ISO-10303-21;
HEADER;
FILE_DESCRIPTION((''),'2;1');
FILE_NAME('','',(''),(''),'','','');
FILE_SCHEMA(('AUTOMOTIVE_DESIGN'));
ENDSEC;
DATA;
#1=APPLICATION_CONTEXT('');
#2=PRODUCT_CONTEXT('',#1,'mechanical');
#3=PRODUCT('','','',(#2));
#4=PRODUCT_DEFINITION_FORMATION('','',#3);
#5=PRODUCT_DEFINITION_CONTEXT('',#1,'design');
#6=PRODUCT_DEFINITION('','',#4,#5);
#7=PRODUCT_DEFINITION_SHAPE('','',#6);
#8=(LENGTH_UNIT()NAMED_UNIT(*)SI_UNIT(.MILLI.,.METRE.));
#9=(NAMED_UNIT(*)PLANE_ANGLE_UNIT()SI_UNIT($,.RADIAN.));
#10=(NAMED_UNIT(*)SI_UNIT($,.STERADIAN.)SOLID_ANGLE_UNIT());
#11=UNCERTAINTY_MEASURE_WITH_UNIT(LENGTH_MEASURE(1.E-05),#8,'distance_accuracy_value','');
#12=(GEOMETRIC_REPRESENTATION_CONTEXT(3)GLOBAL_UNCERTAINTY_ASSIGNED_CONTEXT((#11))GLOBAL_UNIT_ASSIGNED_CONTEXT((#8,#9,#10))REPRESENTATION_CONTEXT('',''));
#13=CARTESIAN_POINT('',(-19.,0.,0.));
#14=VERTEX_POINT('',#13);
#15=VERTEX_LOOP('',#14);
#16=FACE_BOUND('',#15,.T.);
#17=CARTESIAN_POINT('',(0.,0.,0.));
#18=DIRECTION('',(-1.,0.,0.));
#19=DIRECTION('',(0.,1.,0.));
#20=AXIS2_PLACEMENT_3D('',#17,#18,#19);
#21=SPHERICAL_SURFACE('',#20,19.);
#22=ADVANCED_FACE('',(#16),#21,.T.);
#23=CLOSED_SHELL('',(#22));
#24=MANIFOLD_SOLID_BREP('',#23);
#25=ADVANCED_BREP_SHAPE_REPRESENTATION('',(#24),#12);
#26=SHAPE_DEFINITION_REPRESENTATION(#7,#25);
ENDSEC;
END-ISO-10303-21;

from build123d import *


with BuildPart() as part:
    # Sketch1 → Revolve2 (revolve)
    with BuildSketch(Plane.XY):
        with BuildLine():
            Line((0, 0), (0, 19))
            ThreePointArc((0, 19), (13.435028843, 13.435028843), (19, 0))
            Line((19, 0), (0, 0))
        make_face()
    revolve2 = revolve(axis=Axis((-54.760147601, 0, 0), (1, 0, 0)))

    # Mirror1: Revolve2 across plane
    add(revolve2.mirror(Plane(origin=(0, 0, 0), x_dir=(0, 0, 1), z_dir=(1, 0, 0))))


solid = part.part
